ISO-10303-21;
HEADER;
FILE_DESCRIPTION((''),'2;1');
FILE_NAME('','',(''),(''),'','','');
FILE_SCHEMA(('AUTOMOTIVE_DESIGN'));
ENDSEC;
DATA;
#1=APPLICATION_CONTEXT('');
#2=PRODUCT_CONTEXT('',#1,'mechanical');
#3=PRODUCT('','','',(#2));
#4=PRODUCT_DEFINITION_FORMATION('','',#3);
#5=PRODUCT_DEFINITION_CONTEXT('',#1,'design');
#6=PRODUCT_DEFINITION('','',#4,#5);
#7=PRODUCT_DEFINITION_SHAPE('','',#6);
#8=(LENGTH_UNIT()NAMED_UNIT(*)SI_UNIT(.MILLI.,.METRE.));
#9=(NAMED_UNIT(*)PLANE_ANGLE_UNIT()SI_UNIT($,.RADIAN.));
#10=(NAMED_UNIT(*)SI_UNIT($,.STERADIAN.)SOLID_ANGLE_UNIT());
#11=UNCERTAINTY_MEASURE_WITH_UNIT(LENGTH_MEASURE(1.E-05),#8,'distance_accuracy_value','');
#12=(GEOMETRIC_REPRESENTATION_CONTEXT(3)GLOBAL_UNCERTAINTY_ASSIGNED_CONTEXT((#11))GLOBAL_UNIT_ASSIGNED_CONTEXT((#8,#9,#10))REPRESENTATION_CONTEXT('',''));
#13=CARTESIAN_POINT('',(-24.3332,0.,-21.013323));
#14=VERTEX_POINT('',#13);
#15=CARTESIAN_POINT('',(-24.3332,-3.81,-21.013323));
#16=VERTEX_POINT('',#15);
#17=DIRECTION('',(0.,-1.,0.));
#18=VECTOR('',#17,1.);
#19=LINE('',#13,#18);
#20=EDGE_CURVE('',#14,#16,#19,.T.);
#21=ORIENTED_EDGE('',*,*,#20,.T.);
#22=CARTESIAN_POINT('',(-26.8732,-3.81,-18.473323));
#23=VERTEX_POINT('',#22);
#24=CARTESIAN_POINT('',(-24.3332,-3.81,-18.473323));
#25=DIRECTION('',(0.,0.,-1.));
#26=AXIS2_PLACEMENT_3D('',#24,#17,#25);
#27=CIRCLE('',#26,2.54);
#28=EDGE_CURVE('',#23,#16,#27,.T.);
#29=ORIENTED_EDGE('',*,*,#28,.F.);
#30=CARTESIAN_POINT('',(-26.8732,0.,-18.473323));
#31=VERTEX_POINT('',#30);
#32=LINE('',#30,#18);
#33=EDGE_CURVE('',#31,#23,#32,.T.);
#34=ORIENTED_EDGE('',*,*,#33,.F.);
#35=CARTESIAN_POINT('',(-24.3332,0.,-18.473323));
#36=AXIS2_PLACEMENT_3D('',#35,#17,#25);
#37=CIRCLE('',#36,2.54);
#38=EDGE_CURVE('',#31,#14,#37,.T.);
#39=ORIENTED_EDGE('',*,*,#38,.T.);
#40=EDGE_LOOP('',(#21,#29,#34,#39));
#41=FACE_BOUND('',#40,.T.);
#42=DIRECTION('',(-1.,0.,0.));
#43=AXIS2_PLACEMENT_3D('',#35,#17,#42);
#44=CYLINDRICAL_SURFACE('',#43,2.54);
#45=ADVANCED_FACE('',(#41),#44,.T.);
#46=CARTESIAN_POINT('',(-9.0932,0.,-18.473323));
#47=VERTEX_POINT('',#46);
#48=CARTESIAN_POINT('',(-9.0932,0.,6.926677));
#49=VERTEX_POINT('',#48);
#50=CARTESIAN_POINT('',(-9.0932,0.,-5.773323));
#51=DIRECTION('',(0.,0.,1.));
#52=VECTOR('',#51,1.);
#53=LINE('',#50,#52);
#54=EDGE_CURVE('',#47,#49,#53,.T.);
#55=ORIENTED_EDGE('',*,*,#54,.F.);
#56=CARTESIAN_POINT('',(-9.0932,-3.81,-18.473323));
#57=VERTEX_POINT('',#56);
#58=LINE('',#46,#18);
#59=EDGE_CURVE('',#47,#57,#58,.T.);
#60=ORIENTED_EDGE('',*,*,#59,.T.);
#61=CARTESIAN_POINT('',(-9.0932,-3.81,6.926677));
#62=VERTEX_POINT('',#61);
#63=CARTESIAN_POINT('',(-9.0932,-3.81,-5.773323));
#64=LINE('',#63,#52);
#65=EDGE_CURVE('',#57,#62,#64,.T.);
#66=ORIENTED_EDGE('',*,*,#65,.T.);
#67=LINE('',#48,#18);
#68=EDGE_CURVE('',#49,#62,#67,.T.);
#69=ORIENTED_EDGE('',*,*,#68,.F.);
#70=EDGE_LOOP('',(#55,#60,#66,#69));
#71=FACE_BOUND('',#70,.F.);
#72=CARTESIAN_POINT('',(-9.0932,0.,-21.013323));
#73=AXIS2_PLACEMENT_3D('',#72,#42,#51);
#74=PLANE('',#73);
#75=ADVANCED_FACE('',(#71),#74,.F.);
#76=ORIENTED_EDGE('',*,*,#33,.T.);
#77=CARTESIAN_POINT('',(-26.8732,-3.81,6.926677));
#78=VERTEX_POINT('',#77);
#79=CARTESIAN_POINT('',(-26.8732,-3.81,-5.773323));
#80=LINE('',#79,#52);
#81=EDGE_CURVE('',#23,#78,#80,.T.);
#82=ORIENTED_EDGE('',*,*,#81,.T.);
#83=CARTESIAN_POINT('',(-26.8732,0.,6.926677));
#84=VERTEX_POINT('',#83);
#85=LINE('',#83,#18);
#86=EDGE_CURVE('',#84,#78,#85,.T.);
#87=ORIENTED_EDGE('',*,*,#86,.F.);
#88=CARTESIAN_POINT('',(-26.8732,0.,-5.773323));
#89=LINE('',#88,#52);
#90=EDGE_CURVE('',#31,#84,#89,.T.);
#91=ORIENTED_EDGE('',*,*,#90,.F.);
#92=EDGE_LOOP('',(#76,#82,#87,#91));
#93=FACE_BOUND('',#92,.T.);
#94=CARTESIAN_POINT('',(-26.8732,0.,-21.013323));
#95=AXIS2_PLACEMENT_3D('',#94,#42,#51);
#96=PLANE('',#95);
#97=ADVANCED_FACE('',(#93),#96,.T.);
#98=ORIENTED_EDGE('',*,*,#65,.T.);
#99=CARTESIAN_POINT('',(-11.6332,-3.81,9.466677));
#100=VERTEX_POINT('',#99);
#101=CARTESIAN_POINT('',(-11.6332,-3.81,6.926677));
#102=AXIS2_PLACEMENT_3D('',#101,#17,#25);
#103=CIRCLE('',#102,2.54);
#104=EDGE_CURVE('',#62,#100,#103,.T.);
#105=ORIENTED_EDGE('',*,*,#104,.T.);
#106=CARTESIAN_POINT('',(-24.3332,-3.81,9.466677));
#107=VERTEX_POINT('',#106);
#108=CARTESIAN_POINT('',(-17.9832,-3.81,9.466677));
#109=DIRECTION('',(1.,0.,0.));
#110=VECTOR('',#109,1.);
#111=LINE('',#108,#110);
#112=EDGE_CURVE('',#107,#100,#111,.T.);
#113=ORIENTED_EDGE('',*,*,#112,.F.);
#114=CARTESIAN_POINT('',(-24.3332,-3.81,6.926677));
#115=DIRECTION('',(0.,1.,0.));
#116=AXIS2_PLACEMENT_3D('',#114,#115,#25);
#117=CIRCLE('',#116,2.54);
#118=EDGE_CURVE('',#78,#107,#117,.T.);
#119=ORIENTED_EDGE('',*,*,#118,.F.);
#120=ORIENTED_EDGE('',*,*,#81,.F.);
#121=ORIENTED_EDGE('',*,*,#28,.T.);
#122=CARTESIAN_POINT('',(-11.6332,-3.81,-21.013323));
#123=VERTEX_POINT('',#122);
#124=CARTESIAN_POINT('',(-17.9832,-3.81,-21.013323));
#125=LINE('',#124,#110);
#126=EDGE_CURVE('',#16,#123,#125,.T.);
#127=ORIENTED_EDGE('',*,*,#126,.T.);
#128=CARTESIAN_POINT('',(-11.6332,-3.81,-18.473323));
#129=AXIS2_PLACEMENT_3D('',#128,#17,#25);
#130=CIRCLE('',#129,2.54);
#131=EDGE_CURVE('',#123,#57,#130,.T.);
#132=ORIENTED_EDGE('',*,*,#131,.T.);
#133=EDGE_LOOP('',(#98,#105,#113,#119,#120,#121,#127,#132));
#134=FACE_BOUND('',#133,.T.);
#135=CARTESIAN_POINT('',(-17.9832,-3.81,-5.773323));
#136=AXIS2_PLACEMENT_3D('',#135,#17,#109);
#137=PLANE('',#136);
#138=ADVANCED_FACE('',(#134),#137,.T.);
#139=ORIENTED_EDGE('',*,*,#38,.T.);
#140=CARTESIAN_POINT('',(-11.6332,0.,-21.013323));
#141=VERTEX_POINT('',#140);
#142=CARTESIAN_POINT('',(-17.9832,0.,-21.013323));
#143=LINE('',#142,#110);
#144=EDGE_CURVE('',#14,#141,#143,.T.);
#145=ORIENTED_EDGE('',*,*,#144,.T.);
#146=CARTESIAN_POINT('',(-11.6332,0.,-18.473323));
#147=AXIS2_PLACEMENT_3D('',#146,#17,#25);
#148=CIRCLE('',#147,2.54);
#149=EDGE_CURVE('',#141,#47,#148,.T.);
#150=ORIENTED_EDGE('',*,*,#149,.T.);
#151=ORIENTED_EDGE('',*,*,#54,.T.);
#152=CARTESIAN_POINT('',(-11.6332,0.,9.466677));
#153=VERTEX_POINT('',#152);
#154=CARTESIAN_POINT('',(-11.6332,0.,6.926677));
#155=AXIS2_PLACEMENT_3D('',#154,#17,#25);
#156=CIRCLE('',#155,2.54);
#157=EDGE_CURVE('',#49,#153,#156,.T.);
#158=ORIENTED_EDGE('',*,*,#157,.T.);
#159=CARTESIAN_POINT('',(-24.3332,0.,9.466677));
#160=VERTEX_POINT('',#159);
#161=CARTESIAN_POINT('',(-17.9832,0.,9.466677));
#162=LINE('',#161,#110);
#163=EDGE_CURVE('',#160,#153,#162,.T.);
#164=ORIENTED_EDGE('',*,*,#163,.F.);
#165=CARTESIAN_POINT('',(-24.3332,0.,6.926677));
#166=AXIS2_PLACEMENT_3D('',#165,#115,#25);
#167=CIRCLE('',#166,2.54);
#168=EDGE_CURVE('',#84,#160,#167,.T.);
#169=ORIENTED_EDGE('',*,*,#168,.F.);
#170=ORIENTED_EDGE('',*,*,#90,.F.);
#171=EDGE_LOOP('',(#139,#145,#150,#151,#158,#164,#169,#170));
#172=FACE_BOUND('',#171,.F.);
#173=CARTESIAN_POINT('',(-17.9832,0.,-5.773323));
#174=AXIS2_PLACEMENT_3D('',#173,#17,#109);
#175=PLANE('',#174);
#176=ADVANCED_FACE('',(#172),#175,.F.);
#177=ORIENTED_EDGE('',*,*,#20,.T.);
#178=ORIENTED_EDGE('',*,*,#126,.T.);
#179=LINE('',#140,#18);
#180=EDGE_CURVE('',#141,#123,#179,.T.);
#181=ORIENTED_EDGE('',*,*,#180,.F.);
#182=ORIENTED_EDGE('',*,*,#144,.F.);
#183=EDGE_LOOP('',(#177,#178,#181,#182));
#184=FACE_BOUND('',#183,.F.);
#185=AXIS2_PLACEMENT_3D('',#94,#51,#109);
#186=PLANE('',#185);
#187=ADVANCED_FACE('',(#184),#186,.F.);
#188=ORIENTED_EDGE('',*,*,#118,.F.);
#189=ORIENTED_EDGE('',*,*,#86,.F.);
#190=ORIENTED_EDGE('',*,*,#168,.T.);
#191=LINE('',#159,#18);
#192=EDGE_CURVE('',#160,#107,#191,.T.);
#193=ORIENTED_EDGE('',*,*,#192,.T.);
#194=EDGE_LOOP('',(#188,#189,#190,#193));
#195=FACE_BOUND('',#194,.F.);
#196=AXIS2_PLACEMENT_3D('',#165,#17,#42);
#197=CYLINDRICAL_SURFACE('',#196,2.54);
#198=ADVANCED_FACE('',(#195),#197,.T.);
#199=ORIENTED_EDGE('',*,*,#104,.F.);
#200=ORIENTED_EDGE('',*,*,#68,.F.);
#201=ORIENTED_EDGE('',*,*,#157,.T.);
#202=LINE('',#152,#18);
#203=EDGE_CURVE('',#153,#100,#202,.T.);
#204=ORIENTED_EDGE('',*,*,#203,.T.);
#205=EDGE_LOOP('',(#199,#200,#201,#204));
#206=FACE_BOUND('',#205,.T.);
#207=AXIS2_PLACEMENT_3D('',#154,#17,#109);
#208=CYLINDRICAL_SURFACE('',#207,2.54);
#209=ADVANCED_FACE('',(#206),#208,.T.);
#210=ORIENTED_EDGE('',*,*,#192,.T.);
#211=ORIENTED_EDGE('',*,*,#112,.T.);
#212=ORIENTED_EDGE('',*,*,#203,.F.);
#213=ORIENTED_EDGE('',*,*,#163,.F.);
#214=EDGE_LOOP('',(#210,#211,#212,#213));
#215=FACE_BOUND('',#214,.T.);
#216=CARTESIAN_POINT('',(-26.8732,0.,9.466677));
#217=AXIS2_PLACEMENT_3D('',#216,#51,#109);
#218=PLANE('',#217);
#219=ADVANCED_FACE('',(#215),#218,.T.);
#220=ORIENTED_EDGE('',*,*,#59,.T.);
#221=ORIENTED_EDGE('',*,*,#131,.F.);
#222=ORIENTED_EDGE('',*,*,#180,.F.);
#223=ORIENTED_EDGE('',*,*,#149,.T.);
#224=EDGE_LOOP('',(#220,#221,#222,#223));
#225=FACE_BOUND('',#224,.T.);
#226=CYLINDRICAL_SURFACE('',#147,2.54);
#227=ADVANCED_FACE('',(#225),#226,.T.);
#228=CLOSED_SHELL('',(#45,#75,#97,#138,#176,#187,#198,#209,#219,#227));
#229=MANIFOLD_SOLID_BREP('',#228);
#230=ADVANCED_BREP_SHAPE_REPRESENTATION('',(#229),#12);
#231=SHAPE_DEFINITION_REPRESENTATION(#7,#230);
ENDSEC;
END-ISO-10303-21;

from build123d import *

# Parameters (mm, degrees)
F0_W     = 17.78
F0_H     = 30.48
F1_DEPTH = 3.81
F2_R     = 2.54
F3_R     = 2.54


with BuildPart() as f1:
    # F0 (on Front) → F1 (new body)
    with BuildSketch(Plane.XZ):
        with Locations((-17.9832, -5.773323)):
            Rectangle(F0_W, F0_H)
    extrude(amount=F1_DEPTH)

    # F2
    f2_edges = [f1.edges().sort_by_distance(p)[0] for p in [
        (-9.0932, -1.905, 9.466677),
        (-26.8732, -1.905, 9.466677),
    ]]
    fillet(f2_edges, radius=F2_R)

    # F3
    f3_edges = [f1.edges().sort_by_distance(p)[0] for p in [
        (-26.8732, -1.905, -21.013323),
        (-9.0932, -1.905, -21.013323),
    ]]
    fillet(f3_edges, radius=F3_R)


solid = f1.part
